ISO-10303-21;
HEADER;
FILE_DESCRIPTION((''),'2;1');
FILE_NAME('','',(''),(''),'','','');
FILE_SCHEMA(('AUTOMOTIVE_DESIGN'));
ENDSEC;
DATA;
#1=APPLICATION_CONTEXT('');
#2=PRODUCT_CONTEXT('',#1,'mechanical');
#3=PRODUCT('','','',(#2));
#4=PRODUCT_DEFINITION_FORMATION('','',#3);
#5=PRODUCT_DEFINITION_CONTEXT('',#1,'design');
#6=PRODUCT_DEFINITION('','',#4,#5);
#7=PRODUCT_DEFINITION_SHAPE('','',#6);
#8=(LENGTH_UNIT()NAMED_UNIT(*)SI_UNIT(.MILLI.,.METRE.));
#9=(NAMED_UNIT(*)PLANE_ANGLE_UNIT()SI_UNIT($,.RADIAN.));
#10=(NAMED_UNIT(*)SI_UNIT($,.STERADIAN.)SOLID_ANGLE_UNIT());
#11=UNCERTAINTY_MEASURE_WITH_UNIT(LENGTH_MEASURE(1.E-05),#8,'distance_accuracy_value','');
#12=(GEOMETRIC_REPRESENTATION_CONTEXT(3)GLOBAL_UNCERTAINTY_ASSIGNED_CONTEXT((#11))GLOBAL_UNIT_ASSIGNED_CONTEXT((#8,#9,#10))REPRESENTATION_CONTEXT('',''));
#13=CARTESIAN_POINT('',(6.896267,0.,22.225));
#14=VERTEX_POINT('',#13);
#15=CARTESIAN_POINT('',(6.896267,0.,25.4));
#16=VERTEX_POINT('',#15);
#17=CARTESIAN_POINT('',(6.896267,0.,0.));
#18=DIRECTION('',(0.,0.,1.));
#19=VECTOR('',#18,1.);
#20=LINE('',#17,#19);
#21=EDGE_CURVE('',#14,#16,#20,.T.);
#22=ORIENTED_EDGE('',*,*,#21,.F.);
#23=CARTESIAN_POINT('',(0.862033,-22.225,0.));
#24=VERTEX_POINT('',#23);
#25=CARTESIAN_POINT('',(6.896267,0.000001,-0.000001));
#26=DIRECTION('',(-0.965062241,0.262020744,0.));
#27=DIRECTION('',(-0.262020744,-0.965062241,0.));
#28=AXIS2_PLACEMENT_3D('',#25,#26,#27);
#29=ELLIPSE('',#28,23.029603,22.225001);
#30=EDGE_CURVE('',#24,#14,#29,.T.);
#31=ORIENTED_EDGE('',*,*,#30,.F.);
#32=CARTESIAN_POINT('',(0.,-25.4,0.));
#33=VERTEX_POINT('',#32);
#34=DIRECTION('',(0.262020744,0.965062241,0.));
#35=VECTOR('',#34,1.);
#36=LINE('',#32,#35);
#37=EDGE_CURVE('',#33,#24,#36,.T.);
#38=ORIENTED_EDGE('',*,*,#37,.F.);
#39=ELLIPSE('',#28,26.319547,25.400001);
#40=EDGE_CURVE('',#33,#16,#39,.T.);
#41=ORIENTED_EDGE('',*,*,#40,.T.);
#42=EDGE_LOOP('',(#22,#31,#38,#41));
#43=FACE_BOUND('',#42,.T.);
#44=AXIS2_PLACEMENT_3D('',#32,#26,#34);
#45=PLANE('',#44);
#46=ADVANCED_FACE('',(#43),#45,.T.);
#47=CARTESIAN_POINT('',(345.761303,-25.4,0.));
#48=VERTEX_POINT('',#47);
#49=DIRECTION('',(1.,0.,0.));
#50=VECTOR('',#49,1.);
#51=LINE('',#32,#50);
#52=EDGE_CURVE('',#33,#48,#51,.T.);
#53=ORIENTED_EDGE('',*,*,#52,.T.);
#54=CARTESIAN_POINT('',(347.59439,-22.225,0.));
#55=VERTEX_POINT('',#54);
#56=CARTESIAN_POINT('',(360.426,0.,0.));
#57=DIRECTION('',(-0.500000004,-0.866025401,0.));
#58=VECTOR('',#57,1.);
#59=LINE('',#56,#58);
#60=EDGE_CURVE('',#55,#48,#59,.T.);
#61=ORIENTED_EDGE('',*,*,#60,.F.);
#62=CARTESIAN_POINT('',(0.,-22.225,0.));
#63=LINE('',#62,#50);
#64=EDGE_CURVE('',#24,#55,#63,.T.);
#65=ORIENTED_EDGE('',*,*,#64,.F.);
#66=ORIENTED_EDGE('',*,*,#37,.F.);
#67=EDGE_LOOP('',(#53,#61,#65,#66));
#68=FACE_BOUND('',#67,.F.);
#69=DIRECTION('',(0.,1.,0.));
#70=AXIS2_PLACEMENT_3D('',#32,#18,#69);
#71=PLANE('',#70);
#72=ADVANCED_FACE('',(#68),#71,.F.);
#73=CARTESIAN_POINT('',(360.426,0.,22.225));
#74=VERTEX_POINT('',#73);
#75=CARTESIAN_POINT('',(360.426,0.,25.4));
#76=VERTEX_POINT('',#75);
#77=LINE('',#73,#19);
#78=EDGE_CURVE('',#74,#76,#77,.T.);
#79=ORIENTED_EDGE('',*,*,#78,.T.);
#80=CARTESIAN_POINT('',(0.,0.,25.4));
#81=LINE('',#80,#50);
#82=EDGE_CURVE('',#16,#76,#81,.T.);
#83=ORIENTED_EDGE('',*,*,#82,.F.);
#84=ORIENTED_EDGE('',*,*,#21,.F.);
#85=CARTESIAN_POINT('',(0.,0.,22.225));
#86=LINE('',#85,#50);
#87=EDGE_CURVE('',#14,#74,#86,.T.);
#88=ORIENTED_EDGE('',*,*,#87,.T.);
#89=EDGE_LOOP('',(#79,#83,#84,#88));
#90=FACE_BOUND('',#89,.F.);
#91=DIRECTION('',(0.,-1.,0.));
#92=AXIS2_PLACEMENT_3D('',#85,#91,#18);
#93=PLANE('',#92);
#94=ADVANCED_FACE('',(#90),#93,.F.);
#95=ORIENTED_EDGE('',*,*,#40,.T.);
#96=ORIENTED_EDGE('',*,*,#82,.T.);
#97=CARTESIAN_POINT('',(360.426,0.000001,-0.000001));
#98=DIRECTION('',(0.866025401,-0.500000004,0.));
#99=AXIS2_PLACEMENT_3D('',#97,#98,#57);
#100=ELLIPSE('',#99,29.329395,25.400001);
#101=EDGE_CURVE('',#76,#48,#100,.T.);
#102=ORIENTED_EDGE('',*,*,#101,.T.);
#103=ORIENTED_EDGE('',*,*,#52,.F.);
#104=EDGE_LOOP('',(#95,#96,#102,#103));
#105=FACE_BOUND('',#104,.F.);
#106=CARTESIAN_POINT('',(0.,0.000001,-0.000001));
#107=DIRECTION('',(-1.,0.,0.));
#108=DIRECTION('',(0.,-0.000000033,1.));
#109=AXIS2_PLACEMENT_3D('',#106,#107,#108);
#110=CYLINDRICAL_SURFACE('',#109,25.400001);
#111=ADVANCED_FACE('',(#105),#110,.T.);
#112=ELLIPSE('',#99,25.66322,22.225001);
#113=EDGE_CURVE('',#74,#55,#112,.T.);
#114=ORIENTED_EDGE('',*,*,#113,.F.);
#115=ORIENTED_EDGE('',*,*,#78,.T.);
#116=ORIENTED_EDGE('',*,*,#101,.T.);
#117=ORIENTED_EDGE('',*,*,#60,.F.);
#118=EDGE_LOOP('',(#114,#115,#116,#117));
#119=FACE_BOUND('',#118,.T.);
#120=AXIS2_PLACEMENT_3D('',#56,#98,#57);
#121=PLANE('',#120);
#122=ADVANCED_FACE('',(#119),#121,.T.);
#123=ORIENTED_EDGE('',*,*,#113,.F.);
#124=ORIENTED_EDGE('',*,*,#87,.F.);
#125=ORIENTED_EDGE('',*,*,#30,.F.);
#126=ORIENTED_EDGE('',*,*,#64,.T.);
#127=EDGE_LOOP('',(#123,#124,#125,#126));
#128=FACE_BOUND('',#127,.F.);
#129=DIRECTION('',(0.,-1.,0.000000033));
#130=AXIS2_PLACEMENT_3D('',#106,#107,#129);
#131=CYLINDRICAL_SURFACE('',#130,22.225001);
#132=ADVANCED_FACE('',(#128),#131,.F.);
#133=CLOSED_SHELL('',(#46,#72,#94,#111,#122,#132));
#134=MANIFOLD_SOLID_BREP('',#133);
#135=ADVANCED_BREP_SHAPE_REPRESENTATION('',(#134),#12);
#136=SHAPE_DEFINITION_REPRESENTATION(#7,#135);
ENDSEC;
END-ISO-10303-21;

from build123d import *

# Parameters (mm, degrees)
F1_DEPTH = 360.426
F3_DEPTH = 25.4


with BuildPart() as f1:
    # F0 (on Right) → F1 (new body)
    with BuildSketch(Plane.YZ):
        with BuildLine():
            ThreePointArc((0, 25.4), (-17.960512, 17.960512), (-25.4, 0))
            Line((-25.4, 0), (-22.225, 0))
            ThreePointArc((-22.225, 0), (-15.715448, 15.715448), (0, 22.225))
            Line((0, 22.225), (0, 25.4))
        make_face()
    extrude(amount=F1_DEPTH)

    # F2 (on Top) → F3 (cut)
    with BuildSketch(Plane.XY):
        Polygon((6.896267, 0), (0, 0), (0, -25.4), align=None)
        Polygon((360.426, -25.4), (360.426, 0), (345.761303, -25.4), align=None)
    extrude(amount=F3_DEPTH, mode=Mode.SUBTRACT)


solid = f1.part
